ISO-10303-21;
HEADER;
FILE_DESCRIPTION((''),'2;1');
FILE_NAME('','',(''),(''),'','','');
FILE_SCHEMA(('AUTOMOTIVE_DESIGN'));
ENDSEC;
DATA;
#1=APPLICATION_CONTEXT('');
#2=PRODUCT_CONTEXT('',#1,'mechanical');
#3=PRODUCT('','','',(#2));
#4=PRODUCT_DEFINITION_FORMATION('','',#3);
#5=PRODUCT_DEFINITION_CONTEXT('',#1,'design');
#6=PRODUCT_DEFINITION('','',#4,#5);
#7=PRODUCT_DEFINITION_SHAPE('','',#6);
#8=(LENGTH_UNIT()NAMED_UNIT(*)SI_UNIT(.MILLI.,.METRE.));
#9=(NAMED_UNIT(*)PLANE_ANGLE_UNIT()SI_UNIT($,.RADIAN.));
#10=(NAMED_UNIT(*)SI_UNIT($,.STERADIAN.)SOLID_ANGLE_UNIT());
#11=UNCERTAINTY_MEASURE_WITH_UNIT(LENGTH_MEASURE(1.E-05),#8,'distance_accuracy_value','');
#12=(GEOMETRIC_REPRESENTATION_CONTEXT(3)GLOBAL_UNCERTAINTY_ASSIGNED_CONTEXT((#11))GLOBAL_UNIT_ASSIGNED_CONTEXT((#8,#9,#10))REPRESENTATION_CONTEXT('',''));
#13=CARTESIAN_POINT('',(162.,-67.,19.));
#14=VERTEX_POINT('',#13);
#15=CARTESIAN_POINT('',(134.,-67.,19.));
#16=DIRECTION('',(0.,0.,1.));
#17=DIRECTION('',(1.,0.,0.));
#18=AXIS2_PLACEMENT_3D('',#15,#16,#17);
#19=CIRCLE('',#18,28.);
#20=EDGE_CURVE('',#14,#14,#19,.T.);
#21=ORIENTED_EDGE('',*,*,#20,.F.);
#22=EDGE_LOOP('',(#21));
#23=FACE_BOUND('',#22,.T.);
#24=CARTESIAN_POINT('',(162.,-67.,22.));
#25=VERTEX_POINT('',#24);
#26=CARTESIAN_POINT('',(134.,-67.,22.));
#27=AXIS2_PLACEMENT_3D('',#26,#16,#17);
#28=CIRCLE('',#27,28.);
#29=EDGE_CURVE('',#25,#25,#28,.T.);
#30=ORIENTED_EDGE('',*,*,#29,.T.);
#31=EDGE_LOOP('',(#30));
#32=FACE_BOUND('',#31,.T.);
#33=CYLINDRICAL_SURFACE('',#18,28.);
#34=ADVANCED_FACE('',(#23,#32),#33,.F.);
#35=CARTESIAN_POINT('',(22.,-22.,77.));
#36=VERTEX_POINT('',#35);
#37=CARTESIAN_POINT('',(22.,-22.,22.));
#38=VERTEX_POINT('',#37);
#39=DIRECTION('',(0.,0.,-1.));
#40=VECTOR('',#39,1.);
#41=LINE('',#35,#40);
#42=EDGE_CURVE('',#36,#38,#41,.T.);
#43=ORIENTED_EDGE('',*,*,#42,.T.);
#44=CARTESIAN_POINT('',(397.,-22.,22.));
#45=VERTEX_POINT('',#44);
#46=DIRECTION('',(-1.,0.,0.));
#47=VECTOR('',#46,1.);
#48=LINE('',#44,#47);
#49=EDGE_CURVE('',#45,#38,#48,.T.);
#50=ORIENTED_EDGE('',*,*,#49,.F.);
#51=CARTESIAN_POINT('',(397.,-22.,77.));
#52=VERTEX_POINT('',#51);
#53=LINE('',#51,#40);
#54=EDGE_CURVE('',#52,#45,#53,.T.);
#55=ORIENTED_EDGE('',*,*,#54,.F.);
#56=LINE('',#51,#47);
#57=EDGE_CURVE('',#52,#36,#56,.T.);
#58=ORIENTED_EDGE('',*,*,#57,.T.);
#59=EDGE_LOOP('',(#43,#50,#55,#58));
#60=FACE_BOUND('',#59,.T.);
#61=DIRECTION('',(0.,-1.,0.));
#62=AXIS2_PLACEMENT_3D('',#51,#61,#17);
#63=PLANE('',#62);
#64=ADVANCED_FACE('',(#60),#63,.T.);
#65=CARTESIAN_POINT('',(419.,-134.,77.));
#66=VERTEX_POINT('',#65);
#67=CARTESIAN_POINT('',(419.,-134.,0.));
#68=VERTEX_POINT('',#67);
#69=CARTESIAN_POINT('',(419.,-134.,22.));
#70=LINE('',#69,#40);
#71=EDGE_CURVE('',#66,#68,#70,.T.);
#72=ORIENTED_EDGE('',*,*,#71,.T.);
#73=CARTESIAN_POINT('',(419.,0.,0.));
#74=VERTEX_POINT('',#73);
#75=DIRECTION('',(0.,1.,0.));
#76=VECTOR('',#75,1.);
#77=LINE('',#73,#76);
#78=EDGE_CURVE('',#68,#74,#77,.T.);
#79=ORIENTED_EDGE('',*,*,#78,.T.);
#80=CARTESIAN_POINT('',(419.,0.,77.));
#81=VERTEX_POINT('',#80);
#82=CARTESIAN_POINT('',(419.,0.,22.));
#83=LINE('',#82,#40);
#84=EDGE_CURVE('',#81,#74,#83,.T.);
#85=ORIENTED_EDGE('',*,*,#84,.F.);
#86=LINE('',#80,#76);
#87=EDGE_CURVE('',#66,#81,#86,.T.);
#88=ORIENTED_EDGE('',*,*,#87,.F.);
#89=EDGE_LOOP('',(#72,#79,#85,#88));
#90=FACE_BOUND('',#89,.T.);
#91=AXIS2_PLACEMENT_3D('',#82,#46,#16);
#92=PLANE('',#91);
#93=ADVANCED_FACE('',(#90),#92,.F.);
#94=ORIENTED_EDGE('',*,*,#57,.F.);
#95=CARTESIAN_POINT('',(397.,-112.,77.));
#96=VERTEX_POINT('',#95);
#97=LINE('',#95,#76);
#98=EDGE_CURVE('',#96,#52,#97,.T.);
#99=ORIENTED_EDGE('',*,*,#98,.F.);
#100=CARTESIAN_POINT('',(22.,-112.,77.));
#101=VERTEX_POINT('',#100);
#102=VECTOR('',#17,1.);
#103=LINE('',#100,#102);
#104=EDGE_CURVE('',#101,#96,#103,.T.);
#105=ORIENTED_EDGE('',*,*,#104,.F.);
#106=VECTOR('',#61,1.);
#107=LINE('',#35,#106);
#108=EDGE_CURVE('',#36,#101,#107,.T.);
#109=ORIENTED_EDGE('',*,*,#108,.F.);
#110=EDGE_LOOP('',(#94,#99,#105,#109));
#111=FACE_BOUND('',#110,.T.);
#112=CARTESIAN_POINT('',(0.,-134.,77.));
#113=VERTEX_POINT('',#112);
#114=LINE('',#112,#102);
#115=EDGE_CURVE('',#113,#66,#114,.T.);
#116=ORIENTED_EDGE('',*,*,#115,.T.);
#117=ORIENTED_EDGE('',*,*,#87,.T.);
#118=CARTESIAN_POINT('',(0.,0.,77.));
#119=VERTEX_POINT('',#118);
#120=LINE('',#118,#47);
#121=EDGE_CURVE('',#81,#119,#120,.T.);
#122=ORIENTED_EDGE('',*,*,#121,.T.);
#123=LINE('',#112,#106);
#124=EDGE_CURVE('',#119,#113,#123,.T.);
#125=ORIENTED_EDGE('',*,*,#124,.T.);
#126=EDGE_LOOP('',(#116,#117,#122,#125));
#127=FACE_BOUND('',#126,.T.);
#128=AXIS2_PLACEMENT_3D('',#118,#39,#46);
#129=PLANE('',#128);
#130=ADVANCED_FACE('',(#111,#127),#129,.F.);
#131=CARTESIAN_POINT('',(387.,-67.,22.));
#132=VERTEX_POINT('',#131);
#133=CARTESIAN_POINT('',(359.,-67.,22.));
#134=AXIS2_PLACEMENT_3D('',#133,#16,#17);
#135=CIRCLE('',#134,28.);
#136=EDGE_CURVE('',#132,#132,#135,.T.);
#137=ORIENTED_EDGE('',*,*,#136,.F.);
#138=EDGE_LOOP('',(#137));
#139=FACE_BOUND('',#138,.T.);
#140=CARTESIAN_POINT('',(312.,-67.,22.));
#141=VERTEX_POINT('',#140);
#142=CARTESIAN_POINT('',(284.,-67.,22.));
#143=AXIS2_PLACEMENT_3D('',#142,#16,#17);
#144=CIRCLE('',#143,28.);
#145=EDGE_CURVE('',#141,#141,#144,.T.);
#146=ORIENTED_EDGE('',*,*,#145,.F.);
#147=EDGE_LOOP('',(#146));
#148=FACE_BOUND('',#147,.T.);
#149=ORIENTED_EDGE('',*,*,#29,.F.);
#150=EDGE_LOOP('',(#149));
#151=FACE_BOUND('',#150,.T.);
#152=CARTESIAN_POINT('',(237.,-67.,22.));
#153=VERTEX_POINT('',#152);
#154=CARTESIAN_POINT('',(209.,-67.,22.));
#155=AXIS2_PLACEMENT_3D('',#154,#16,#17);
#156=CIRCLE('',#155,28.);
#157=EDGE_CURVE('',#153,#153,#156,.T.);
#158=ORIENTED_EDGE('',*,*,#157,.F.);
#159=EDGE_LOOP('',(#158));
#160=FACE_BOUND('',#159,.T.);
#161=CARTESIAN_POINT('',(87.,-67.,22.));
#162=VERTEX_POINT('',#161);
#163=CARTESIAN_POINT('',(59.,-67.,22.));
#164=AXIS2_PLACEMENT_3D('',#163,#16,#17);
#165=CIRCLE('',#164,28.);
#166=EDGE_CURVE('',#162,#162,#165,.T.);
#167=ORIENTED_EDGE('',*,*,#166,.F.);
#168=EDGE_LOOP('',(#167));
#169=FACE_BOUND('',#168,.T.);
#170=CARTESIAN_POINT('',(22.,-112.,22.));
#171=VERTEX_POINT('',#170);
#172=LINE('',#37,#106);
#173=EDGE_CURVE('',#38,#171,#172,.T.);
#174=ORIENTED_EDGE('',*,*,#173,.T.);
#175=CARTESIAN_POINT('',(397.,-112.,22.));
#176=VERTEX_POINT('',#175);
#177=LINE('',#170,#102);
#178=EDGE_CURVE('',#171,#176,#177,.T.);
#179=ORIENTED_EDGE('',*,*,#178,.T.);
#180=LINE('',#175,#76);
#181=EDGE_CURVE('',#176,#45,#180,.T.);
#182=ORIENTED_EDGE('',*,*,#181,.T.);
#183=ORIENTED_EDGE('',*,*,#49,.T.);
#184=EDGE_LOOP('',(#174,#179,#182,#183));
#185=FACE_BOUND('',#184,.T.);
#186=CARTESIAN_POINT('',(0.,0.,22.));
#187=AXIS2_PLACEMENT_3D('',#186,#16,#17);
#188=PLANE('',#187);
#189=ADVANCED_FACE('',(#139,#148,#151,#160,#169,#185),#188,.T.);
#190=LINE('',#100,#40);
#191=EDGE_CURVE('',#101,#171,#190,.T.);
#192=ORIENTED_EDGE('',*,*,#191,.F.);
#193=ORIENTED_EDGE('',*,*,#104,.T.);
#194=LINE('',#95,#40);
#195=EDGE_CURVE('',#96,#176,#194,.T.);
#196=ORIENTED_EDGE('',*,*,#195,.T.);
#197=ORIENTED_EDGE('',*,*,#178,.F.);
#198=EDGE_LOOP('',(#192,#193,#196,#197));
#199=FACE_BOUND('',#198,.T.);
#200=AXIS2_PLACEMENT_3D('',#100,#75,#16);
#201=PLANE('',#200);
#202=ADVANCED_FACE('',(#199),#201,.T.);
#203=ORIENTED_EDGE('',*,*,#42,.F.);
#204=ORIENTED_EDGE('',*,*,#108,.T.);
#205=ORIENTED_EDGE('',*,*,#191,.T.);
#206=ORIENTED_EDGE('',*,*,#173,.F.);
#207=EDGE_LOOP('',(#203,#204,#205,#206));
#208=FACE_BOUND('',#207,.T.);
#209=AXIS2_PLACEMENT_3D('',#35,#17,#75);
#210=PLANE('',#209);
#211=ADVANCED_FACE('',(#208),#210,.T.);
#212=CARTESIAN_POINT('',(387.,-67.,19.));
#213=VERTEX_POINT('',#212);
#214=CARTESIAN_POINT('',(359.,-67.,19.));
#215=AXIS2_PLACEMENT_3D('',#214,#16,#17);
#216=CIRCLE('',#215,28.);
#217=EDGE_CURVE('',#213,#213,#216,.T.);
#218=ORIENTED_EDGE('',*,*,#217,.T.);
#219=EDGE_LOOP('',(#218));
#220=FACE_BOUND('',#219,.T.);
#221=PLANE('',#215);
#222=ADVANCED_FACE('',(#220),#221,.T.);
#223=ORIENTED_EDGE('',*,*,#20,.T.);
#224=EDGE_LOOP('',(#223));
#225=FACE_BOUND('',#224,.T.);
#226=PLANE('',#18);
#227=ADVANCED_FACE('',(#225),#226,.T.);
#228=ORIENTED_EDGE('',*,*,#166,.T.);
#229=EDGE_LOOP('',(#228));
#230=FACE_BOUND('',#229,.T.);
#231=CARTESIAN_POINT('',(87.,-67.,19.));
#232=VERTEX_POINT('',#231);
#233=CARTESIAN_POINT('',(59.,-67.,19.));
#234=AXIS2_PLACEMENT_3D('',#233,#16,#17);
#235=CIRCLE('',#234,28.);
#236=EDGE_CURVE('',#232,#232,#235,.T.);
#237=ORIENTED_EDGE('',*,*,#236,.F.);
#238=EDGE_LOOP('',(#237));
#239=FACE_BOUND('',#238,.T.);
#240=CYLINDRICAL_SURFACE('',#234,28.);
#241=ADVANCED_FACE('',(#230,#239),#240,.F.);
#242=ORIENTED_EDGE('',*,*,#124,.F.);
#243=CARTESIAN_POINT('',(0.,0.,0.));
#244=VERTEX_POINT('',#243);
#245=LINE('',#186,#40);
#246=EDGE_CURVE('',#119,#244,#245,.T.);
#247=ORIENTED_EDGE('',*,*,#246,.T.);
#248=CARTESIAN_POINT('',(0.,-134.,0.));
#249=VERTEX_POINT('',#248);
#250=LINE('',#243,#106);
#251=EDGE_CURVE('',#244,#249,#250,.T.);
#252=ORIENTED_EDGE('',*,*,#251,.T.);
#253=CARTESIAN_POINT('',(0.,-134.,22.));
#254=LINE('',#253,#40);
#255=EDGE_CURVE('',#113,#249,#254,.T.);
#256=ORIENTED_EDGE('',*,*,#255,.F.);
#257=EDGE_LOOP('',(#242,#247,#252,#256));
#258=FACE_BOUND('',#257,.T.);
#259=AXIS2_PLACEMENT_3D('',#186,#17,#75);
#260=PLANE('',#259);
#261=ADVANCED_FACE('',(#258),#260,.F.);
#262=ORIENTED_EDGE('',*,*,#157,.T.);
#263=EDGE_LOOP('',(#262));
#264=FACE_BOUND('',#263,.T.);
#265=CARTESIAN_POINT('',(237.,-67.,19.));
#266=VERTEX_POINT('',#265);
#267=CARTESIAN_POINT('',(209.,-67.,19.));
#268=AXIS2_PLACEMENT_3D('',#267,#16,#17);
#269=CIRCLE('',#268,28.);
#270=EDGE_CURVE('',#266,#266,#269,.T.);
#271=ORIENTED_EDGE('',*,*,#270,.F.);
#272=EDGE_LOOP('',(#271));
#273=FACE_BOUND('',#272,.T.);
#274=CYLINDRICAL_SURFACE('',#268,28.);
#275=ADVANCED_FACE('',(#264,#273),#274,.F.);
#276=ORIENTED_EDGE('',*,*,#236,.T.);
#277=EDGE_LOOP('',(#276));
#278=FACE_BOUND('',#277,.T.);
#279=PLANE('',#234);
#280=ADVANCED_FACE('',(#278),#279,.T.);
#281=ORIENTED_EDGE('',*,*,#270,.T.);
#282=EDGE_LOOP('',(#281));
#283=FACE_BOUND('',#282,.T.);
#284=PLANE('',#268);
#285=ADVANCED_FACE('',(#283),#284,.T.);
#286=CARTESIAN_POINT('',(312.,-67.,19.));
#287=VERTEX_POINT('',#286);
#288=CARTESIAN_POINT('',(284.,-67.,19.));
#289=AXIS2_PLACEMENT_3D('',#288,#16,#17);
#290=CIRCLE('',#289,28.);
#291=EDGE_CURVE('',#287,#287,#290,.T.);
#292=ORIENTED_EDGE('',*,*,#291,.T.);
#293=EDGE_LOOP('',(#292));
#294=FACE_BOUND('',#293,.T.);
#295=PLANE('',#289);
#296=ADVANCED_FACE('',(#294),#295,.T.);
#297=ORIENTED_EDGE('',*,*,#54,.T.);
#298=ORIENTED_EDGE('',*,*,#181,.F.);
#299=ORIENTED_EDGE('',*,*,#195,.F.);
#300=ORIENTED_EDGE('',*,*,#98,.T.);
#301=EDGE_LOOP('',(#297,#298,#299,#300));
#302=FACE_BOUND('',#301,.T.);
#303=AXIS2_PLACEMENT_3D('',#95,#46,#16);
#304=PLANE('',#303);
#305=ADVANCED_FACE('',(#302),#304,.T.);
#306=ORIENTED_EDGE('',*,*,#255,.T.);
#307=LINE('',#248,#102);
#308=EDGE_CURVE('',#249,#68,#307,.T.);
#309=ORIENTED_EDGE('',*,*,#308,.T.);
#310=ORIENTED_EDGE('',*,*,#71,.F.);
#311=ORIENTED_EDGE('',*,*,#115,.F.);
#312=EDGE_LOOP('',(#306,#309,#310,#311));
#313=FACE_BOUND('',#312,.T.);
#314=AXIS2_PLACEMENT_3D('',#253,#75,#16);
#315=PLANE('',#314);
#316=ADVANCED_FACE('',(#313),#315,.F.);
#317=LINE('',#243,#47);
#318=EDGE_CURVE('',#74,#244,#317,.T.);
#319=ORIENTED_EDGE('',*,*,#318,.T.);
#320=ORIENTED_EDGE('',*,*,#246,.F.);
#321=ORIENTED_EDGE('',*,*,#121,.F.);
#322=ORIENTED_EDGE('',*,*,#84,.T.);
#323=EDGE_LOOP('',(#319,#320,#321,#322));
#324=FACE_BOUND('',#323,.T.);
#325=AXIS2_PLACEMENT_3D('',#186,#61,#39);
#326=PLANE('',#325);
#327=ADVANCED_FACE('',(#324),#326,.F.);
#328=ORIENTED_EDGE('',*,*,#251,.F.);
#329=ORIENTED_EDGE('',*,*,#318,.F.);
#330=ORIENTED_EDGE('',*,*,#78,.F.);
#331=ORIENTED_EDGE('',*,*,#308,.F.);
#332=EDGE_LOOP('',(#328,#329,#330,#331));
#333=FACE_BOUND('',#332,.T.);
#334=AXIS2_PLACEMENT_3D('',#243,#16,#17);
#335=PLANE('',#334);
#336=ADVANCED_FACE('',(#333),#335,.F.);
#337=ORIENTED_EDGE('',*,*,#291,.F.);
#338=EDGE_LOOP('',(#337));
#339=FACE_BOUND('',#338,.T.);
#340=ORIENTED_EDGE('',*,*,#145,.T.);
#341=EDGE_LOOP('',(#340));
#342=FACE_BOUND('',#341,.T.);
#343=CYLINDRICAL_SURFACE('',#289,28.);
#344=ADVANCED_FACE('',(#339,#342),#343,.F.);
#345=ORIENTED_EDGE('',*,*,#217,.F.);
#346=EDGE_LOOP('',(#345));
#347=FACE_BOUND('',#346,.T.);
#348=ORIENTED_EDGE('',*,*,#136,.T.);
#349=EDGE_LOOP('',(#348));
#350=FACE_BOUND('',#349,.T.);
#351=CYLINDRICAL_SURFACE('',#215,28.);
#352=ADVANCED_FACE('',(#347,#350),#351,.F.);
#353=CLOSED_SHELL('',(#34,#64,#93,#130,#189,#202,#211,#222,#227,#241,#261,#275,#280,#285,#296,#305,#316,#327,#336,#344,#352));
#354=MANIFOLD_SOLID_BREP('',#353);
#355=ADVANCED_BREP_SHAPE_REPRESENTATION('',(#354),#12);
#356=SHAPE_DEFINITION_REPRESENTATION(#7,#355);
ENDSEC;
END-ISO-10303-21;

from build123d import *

# Parameters (mm, degrees)
ESQUISSE1_W             = 419
ESQUISSE1_H             = 134
BOSS_EXTRU_1_DEPTH      = 22
ESQUISSE3_W             = 419
ESQUISSE3_H             = 134
ESQUISSE3_W_2           = 375
ESQUISSE3_H_2           = 90
BOSS_EXTRU_2_DEPTH      = 55
ESQUISSE4_R             = 28
ENL_V_MAT_EXTRU_1_DEPTH = 3


with BuildPart() as part:
    # Esquisse1 → Boss.-Extru.1 (new body)
    with BuildSketch(Plane.XY):
        with Locations((209.5, -67)):
            Rectangle(ESQUISSE1_W, ESQUISSE1_H)
    extrude(amount=BOSS_EXTRU_1_DEPTH)

    # Esquisse3 → Boss.-Extru.2 (add)
    with BuildSketch(Plane.XY.offset(22)):
        with Locations((209.5, -67)):
            Rectangle(ESQUISSE3_W, ESQUISSE3_H)
        with Locations((209.5, -67)):
            Rectangle(ESQUISSE3_W_2, ESQUISSE3_H_2, mode=Mode.SUBTRACT)
    extrude(amount=BOSS_EXTRU_2_DEPTH)

    # Esquisse4 → Enlèv. mat.-Extru.1 (cut)
    with BuildSketch(Plane.XY.offset(22)):
        with Locations((59, -67)):
            Circle(ESQUISSE4_R)
        with Locations((134, -67)):
            Circle(ESQUISSE4_R)
        with Locations((209, -67)):
            Circle(ESQUISSE4_R)
        with Locations((284, -67)):
            Circle(ESQUISSE4_R)
        with Locations((359, -67)):
            Circle(ESQUISSE4_R)
    extrude(amount=-ENL_V_MAT_EXTRU_1_DEPTH, mode=Mode.SUBTRACT)


solid = part.part
